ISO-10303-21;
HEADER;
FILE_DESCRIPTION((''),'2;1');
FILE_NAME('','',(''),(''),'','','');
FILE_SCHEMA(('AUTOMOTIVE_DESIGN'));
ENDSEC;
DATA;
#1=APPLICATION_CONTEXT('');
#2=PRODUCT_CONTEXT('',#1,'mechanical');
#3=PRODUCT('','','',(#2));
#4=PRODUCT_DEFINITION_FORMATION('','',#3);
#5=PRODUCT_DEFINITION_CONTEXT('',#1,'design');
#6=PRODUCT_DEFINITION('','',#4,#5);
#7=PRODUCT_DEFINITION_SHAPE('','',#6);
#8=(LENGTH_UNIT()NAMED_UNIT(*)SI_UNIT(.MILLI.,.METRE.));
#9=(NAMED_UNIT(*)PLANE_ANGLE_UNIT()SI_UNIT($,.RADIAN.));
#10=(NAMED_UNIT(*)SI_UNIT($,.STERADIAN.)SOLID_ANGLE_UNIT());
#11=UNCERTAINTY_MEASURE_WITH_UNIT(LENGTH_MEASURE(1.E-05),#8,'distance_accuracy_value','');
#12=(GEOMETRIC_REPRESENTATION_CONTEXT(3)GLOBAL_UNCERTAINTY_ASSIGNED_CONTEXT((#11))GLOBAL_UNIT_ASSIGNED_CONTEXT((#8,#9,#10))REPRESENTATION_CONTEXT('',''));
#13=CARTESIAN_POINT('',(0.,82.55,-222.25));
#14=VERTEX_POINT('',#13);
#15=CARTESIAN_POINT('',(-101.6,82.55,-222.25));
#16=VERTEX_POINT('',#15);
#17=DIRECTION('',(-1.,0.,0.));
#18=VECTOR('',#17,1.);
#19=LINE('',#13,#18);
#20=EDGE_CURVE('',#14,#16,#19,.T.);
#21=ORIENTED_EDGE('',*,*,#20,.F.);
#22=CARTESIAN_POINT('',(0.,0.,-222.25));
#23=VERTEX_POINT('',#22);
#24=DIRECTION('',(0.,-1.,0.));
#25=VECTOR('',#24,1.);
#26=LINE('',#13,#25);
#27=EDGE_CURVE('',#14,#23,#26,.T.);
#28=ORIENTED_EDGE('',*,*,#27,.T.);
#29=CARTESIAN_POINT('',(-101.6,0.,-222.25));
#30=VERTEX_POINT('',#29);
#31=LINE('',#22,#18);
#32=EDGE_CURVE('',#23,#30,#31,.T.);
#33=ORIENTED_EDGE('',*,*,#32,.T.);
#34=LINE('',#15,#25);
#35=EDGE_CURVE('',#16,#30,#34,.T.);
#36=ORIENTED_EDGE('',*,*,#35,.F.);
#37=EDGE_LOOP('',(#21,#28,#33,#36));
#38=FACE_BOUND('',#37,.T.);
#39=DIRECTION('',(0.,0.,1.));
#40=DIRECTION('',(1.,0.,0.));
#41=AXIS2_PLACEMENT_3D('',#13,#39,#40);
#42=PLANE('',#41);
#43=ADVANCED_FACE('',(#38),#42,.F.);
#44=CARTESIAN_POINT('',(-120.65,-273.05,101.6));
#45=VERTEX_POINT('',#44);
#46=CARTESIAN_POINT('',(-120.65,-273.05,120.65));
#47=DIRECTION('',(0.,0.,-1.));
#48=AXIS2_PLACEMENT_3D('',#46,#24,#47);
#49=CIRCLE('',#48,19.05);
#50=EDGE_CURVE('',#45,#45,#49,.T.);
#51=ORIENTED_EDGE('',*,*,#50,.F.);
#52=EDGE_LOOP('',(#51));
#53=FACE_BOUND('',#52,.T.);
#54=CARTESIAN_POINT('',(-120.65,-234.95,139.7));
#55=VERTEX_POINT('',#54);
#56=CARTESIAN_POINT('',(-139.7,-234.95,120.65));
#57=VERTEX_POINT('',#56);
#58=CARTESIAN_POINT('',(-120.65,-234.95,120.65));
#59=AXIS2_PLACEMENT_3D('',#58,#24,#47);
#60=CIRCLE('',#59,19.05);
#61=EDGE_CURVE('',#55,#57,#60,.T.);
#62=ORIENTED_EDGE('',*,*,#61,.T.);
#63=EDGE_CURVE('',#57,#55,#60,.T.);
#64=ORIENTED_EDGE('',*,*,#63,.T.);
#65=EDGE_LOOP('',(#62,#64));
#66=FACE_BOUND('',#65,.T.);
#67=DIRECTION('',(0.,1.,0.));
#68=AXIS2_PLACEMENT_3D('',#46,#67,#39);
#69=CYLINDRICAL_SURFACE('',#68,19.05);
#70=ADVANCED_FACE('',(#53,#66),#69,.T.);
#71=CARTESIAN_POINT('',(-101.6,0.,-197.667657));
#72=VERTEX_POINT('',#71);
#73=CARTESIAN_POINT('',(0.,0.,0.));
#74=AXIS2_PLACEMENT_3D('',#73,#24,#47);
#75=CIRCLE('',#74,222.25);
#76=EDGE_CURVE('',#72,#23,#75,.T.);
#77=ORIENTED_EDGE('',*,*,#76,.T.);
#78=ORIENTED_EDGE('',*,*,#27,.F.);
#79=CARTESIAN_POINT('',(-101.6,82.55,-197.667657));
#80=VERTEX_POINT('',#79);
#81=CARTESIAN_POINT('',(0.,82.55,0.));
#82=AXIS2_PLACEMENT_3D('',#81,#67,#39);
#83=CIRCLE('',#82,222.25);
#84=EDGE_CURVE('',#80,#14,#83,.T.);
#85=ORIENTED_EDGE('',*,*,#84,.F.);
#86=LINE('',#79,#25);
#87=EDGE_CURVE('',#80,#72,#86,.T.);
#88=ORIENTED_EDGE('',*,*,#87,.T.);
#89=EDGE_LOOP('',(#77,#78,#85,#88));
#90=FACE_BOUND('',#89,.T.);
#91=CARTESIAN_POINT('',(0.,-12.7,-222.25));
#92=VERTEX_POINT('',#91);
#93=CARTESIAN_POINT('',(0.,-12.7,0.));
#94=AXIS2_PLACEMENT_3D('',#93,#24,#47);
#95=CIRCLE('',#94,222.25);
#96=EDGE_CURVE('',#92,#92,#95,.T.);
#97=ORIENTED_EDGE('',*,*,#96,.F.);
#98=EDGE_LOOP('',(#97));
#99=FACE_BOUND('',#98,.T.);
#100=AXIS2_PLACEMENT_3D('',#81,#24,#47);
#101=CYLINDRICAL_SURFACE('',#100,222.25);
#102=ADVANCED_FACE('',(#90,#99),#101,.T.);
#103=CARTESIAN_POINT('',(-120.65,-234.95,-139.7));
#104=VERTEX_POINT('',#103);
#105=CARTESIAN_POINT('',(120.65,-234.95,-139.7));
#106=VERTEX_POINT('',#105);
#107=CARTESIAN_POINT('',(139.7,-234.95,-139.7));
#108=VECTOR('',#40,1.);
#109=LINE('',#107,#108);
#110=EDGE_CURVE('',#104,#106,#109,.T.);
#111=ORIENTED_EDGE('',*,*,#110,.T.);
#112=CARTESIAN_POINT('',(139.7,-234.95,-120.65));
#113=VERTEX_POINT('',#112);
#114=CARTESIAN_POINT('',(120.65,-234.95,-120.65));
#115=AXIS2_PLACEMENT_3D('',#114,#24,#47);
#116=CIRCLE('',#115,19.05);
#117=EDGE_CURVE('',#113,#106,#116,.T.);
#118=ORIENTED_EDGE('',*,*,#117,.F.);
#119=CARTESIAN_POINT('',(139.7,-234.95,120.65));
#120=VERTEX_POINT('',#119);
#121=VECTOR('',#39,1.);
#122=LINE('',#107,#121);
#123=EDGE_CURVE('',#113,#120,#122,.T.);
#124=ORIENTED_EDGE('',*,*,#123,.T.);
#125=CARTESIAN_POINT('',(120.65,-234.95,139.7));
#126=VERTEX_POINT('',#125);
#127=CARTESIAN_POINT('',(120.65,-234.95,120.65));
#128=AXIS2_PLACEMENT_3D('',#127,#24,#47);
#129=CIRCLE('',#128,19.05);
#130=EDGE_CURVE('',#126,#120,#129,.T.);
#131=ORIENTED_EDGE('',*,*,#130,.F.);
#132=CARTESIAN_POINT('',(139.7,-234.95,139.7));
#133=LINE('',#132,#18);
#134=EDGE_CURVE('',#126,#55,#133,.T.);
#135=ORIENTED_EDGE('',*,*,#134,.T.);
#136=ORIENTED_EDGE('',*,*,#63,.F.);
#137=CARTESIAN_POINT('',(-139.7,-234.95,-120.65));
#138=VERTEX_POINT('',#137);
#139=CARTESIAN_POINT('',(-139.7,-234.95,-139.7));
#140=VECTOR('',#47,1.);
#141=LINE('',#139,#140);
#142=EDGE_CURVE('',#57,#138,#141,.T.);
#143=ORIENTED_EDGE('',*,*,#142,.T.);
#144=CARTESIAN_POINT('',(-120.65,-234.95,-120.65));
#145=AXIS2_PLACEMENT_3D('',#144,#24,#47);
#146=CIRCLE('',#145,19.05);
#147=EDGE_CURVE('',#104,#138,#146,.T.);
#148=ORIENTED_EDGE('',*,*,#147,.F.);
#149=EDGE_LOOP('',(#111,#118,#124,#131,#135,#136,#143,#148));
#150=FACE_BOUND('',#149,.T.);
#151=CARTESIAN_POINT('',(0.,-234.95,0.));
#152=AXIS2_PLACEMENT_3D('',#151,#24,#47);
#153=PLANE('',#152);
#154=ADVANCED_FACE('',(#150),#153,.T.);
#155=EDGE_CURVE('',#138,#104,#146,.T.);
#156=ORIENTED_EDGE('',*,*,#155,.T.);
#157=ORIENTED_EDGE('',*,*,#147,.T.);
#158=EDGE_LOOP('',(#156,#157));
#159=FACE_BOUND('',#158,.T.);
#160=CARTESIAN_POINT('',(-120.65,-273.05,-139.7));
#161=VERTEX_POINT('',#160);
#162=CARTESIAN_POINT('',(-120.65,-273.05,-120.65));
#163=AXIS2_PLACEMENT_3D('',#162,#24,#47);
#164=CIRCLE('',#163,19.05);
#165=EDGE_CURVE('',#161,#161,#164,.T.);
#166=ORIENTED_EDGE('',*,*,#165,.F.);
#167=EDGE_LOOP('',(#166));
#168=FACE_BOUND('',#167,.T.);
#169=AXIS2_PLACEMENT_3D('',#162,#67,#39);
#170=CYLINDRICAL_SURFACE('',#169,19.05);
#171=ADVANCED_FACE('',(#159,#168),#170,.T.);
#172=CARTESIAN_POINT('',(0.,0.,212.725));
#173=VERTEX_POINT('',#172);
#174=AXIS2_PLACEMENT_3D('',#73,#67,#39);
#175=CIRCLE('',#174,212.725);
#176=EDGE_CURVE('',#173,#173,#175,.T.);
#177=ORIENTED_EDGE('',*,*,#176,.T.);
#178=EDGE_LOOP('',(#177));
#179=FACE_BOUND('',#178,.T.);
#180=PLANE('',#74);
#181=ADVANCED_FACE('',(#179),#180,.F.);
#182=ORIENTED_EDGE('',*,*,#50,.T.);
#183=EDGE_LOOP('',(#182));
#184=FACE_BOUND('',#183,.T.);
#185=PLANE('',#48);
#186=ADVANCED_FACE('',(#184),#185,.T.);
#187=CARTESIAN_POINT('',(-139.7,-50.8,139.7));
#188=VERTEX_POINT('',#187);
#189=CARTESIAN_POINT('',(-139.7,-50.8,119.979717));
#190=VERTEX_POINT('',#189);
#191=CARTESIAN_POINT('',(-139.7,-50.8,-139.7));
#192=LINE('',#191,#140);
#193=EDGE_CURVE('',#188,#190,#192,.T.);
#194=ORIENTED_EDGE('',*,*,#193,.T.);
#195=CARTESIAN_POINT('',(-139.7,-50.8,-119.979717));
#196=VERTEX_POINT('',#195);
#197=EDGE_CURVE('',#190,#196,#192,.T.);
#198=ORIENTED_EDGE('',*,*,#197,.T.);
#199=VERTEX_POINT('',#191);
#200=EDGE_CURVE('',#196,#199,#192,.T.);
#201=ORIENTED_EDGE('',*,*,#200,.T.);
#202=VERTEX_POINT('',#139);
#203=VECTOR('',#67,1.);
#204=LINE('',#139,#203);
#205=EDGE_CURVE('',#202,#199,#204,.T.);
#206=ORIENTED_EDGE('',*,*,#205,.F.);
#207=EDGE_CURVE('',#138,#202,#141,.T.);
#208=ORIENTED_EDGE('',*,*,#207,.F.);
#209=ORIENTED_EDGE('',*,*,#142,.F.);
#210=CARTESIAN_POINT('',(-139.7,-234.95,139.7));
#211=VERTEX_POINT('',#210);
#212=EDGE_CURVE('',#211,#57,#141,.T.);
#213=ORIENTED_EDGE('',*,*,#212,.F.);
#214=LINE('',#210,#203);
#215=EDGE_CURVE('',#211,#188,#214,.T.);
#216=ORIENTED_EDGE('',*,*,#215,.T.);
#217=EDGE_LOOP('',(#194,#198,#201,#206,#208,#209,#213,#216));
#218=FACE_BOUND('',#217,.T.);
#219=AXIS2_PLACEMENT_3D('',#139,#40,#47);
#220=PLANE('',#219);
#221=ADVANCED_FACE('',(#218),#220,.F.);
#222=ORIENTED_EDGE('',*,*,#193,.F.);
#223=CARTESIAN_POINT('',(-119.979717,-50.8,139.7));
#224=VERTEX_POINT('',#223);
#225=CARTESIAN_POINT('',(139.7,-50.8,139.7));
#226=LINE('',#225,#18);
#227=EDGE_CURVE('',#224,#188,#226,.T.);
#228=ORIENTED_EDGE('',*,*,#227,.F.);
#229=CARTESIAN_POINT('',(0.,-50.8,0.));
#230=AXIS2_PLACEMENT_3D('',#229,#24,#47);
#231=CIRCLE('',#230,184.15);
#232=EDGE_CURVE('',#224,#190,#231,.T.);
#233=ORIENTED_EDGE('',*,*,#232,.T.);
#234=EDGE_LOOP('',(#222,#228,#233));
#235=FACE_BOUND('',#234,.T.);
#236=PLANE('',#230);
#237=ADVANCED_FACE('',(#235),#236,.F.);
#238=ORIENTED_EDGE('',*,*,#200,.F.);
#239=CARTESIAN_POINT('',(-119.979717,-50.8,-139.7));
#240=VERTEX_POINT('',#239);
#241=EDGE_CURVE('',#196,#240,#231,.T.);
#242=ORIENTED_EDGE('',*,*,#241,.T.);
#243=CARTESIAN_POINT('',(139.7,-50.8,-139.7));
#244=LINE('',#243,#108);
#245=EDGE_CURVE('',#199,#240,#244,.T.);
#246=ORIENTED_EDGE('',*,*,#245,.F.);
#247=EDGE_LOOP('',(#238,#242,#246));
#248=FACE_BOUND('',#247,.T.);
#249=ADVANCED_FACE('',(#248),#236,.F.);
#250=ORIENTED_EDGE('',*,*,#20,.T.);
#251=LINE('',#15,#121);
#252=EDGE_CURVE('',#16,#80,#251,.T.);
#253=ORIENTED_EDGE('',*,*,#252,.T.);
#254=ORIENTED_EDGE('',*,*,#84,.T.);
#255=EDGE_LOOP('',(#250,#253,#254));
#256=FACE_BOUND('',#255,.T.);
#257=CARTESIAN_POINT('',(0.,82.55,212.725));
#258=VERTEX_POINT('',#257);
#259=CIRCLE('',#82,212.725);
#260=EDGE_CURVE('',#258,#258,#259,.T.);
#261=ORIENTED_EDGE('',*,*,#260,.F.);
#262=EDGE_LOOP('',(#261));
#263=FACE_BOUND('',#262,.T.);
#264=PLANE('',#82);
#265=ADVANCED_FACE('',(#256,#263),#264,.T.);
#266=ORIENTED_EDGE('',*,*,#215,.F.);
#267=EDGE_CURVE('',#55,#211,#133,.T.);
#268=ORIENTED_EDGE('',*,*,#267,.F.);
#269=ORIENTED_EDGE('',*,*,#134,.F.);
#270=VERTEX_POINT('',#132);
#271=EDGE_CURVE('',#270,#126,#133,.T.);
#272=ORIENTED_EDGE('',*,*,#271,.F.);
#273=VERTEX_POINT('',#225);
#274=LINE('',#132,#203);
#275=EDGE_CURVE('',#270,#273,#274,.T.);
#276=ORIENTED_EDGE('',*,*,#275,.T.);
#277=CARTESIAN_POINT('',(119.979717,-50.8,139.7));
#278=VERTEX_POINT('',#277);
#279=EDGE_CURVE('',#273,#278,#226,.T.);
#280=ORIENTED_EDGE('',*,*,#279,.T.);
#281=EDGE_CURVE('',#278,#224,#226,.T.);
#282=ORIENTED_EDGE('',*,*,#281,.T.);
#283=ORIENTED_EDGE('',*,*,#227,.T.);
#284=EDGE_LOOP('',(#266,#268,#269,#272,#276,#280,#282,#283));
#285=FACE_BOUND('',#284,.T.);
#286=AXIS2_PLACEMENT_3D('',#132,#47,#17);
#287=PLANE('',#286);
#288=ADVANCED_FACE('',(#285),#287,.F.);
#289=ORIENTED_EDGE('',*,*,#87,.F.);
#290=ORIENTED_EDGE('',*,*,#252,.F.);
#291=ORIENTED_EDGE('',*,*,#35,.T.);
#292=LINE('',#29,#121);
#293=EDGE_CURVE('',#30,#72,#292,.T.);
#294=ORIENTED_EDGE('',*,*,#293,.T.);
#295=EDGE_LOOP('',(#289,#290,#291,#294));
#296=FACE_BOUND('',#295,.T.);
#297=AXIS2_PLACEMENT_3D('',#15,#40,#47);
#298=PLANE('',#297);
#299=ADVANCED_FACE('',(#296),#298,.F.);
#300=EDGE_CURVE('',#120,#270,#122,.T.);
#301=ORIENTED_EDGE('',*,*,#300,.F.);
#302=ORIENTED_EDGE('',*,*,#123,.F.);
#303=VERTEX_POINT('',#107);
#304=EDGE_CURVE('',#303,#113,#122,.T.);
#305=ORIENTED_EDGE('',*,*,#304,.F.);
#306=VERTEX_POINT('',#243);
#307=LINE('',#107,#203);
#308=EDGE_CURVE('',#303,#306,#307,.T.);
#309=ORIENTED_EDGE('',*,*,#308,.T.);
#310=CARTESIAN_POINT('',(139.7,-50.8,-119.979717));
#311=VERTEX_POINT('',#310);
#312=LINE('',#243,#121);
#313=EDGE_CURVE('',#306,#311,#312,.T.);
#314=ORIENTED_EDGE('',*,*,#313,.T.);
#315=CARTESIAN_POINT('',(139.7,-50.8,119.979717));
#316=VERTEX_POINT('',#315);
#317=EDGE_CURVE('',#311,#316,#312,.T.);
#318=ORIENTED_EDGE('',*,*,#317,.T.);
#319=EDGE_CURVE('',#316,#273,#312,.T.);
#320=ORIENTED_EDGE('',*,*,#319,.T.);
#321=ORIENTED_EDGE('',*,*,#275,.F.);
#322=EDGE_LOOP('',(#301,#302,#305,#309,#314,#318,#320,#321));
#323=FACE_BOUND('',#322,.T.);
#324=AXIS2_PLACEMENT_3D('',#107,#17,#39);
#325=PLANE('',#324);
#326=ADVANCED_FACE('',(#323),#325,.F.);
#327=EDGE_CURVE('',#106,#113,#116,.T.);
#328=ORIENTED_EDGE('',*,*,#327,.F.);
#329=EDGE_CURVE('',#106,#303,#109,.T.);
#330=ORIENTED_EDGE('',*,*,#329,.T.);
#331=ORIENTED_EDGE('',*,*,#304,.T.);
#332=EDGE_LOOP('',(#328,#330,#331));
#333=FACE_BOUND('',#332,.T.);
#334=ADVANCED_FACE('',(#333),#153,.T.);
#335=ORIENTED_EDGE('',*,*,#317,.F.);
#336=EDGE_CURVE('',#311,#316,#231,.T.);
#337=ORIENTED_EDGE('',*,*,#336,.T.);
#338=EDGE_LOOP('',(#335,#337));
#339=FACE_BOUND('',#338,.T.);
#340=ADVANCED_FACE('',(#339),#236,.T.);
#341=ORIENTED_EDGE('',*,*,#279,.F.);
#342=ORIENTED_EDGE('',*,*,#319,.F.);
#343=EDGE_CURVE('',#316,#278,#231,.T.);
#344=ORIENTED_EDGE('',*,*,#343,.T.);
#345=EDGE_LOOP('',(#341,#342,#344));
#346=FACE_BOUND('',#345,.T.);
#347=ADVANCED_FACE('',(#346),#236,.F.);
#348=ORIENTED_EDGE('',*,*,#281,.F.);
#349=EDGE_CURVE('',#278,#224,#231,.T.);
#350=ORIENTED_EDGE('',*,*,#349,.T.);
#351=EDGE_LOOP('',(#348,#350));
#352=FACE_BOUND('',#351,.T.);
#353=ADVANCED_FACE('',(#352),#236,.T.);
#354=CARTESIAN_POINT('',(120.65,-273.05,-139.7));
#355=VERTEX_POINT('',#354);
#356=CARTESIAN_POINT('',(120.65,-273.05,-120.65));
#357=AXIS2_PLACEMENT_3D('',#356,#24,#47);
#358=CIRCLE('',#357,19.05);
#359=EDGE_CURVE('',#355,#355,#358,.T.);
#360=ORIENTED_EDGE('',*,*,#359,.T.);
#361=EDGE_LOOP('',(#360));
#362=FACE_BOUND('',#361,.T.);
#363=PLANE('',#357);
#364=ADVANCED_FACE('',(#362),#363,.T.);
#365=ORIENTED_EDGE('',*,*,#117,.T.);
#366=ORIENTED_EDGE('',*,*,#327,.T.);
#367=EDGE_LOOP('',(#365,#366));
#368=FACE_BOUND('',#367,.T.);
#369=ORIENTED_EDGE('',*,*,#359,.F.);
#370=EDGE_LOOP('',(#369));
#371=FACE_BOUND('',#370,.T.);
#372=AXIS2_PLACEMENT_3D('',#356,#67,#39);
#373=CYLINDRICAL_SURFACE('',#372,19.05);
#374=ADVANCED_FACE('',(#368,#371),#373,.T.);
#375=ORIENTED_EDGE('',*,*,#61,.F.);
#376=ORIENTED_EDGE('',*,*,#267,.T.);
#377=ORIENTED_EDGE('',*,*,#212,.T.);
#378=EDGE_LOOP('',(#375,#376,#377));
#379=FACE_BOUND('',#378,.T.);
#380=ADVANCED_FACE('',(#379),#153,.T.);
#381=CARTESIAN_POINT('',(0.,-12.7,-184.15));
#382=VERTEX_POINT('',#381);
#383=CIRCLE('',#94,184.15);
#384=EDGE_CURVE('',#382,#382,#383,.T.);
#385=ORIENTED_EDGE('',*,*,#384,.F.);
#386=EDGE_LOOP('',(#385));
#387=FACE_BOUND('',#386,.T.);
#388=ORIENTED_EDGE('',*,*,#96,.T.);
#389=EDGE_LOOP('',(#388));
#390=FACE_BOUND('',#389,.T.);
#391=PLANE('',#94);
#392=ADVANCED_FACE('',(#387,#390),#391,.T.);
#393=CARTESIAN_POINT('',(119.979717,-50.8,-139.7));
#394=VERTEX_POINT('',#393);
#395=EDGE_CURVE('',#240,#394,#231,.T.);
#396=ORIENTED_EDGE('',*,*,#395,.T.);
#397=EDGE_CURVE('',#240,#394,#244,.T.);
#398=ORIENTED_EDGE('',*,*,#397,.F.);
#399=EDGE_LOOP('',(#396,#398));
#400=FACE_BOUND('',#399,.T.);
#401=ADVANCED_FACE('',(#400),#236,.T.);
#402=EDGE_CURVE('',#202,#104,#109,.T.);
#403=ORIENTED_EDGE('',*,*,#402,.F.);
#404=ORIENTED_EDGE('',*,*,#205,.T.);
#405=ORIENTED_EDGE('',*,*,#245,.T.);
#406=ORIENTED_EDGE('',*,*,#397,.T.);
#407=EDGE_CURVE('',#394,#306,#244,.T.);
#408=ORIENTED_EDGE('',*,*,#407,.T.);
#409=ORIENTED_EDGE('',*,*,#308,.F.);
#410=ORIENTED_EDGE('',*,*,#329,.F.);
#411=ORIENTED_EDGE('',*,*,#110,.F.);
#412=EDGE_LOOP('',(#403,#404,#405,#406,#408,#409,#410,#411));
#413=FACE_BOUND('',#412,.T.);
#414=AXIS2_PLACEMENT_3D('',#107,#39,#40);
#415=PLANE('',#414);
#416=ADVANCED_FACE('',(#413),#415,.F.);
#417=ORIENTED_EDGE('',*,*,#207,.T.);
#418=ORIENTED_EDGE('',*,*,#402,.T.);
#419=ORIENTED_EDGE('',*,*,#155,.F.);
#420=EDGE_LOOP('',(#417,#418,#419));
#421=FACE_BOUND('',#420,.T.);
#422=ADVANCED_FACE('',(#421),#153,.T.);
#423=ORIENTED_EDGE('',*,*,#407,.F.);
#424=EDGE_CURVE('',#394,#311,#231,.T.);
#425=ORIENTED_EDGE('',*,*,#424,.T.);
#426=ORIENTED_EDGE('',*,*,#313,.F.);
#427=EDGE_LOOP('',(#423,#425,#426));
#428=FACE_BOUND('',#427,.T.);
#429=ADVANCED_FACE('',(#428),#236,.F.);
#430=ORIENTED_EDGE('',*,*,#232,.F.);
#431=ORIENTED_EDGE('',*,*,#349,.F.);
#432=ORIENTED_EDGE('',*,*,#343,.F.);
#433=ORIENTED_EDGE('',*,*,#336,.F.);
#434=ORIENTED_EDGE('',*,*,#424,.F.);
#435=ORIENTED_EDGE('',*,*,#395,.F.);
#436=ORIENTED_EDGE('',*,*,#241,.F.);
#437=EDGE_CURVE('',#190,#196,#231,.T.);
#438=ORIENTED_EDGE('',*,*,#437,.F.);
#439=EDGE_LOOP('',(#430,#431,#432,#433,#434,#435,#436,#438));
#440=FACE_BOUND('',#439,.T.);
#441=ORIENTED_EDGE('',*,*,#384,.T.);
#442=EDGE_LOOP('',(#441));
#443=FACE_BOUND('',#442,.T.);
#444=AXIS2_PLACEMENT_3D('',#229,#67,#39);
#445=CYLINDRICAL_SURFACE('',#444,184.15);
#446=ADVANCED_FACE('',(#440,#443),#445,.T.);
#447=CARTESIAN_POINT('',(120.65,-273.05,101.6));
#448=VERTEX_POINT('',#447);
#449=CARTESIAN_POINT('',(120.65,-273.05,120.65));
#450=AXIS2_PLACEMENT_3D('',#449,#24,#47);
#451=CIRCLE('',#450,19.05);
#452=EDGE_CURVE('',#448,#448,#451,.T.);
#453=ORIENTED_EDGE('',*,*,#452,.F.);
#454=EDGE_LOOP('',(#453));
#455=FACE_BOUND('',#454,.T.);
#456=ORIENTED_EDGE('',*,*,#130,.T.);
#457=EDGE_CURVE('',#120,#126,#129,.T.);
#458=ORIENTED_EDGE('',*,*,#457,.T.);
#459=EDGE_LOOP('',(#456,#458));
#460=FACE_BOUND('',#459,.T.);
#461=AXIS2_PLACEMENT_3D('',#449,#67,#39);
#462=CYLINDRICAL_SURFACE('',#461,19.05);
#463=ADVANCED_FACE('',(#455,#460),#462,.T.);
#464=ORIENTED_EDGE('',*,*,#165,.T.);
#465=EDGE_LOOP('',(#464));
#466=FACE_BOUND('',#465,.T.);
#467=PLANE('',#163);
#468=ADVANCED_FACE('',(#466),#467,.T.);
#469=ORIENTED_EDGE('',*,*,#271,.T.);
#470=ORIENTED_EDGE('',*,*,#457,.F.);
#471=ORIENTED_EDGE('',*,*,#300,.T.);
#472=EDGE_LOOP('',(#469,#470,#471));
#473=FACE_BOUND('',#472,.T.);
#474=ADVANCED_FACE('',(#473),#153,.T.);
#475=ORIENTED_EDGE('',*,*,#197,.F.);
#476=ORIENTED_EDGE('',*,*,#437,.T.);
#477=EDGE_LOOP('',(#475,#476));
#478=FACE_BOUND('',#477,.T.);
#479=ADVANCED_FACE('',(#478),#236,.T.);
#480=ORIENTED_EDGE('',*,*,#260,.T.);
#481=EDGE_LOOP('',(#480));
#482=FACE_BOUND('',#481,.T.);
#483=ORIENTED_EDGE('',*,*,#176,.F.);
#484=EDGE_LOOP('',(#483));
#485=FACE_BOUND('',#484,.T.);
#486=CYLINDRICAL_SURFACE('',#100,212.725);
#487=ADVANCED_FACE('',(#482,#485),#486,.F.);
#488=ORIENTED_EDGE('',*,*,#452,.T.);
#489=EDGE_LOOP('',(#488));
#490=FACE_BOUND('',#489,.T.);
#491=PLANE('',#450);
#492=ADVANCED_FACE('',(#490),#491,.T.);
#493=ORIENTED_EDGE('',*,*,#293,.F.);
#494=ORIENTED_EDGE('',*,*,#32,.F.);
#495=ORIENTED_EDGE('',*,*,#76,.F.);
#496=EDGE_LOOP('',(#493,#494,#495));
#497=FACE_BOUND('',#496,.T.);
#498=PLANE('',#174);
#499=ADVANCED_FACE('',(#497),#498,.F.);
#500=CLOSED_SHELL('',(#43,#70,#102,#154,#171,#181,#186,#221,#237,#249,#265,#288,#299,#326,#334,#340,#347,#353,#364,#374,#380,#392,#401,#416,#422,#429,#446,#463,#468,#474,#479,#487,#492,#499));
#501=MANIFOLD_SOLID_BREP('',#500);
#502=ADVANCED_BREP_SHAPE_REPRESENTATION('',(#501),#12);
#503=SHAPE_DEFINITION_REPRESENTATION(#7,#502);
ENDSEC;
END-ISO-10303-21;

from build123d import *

# Parameters (mm, degrees)
SKETCH1_R           = 212.725
BOSS_EXTRUDE1_DEPTH = 82.55
SKETCH2_R           = 222.25
BOSS_EXTRUDE2_DEPTH = 12.7
SKETCH3_R           = 184.15
BOSS_EXTRUDE3_DEPTH = 38.1
SKETCH4_W           = 279.4
SKETCH4_H           = 279.4
BOSS_EXTRUDE4_DEPTH = 184.15
SKETCH5_R           = 19.05
BOSS_EXTRUDE5_DEPTH = 38.1


with BuildPart() as part:
    # Sketch1 → Boss-Extrude1 (new body)
    with BuildSketch(Plane(origin=(0, 0, 0), x_dir=(1, 0, 0), z_dir=(0, 1, 0))):
        with BuildLine():
            Line((0, 222.25), (-101.6, 222.25))
            Line((-101.6, 222.25), (-101.6, 197.667657))
            ThreePointArc((-101.6, 197.667657), (52.265791, -216.017012), (0, 222.25))
        make_face()
        Circle(SKETCH1_R, mode=Mode.SUBTRACT)
    extrude(amount=BOSS_EXTRUDE1_DEPTH)

    # Sketch2 → Boss-Extrude2 (add)
    with BuildSketch(Plane.XZ):
        Circle(SKETCH2_R)
    extrude(amount=BOSS_EXTRUDE2_DEPTH)

    # Sketch3 → Boss-Extrude3 (add)
    with BuildSketch(Plane.XZ.offset(12.7)):
        Circle(SKETCH3_R)
    extrude(amount=BOSS_EXTRUDE3_DEPTH)

    # Sketch4 → Boss-Extrude4 (add)
    with BuildSketch(Plane.XZ.offset(50.8)):
        Rectangle(SKETCH4_W, SKETCH4_H)
    extrude(amount=BOSS_EXTRUDE4_DEPTH)

    # Sketch5 → Boss-Extrude5 (add)
    with BuildSketch(Plane.XZ.offset(234.95)):
        with Locations((-120.65, -120.65)):
            Circle(SKETCH5_R)
        with Locations((-120.65, 120.65)):
            Circle(SKETCH5_R)
        with Locations((120.65, -120.65)):
            Circle(SKETCH5_R)
        with Locations((120.65, 120.65)):
            Circle(SKETCH5_R)
    extrude(amount=BOSS_EXTRUDE5_DEPTH)


solid = part.part
